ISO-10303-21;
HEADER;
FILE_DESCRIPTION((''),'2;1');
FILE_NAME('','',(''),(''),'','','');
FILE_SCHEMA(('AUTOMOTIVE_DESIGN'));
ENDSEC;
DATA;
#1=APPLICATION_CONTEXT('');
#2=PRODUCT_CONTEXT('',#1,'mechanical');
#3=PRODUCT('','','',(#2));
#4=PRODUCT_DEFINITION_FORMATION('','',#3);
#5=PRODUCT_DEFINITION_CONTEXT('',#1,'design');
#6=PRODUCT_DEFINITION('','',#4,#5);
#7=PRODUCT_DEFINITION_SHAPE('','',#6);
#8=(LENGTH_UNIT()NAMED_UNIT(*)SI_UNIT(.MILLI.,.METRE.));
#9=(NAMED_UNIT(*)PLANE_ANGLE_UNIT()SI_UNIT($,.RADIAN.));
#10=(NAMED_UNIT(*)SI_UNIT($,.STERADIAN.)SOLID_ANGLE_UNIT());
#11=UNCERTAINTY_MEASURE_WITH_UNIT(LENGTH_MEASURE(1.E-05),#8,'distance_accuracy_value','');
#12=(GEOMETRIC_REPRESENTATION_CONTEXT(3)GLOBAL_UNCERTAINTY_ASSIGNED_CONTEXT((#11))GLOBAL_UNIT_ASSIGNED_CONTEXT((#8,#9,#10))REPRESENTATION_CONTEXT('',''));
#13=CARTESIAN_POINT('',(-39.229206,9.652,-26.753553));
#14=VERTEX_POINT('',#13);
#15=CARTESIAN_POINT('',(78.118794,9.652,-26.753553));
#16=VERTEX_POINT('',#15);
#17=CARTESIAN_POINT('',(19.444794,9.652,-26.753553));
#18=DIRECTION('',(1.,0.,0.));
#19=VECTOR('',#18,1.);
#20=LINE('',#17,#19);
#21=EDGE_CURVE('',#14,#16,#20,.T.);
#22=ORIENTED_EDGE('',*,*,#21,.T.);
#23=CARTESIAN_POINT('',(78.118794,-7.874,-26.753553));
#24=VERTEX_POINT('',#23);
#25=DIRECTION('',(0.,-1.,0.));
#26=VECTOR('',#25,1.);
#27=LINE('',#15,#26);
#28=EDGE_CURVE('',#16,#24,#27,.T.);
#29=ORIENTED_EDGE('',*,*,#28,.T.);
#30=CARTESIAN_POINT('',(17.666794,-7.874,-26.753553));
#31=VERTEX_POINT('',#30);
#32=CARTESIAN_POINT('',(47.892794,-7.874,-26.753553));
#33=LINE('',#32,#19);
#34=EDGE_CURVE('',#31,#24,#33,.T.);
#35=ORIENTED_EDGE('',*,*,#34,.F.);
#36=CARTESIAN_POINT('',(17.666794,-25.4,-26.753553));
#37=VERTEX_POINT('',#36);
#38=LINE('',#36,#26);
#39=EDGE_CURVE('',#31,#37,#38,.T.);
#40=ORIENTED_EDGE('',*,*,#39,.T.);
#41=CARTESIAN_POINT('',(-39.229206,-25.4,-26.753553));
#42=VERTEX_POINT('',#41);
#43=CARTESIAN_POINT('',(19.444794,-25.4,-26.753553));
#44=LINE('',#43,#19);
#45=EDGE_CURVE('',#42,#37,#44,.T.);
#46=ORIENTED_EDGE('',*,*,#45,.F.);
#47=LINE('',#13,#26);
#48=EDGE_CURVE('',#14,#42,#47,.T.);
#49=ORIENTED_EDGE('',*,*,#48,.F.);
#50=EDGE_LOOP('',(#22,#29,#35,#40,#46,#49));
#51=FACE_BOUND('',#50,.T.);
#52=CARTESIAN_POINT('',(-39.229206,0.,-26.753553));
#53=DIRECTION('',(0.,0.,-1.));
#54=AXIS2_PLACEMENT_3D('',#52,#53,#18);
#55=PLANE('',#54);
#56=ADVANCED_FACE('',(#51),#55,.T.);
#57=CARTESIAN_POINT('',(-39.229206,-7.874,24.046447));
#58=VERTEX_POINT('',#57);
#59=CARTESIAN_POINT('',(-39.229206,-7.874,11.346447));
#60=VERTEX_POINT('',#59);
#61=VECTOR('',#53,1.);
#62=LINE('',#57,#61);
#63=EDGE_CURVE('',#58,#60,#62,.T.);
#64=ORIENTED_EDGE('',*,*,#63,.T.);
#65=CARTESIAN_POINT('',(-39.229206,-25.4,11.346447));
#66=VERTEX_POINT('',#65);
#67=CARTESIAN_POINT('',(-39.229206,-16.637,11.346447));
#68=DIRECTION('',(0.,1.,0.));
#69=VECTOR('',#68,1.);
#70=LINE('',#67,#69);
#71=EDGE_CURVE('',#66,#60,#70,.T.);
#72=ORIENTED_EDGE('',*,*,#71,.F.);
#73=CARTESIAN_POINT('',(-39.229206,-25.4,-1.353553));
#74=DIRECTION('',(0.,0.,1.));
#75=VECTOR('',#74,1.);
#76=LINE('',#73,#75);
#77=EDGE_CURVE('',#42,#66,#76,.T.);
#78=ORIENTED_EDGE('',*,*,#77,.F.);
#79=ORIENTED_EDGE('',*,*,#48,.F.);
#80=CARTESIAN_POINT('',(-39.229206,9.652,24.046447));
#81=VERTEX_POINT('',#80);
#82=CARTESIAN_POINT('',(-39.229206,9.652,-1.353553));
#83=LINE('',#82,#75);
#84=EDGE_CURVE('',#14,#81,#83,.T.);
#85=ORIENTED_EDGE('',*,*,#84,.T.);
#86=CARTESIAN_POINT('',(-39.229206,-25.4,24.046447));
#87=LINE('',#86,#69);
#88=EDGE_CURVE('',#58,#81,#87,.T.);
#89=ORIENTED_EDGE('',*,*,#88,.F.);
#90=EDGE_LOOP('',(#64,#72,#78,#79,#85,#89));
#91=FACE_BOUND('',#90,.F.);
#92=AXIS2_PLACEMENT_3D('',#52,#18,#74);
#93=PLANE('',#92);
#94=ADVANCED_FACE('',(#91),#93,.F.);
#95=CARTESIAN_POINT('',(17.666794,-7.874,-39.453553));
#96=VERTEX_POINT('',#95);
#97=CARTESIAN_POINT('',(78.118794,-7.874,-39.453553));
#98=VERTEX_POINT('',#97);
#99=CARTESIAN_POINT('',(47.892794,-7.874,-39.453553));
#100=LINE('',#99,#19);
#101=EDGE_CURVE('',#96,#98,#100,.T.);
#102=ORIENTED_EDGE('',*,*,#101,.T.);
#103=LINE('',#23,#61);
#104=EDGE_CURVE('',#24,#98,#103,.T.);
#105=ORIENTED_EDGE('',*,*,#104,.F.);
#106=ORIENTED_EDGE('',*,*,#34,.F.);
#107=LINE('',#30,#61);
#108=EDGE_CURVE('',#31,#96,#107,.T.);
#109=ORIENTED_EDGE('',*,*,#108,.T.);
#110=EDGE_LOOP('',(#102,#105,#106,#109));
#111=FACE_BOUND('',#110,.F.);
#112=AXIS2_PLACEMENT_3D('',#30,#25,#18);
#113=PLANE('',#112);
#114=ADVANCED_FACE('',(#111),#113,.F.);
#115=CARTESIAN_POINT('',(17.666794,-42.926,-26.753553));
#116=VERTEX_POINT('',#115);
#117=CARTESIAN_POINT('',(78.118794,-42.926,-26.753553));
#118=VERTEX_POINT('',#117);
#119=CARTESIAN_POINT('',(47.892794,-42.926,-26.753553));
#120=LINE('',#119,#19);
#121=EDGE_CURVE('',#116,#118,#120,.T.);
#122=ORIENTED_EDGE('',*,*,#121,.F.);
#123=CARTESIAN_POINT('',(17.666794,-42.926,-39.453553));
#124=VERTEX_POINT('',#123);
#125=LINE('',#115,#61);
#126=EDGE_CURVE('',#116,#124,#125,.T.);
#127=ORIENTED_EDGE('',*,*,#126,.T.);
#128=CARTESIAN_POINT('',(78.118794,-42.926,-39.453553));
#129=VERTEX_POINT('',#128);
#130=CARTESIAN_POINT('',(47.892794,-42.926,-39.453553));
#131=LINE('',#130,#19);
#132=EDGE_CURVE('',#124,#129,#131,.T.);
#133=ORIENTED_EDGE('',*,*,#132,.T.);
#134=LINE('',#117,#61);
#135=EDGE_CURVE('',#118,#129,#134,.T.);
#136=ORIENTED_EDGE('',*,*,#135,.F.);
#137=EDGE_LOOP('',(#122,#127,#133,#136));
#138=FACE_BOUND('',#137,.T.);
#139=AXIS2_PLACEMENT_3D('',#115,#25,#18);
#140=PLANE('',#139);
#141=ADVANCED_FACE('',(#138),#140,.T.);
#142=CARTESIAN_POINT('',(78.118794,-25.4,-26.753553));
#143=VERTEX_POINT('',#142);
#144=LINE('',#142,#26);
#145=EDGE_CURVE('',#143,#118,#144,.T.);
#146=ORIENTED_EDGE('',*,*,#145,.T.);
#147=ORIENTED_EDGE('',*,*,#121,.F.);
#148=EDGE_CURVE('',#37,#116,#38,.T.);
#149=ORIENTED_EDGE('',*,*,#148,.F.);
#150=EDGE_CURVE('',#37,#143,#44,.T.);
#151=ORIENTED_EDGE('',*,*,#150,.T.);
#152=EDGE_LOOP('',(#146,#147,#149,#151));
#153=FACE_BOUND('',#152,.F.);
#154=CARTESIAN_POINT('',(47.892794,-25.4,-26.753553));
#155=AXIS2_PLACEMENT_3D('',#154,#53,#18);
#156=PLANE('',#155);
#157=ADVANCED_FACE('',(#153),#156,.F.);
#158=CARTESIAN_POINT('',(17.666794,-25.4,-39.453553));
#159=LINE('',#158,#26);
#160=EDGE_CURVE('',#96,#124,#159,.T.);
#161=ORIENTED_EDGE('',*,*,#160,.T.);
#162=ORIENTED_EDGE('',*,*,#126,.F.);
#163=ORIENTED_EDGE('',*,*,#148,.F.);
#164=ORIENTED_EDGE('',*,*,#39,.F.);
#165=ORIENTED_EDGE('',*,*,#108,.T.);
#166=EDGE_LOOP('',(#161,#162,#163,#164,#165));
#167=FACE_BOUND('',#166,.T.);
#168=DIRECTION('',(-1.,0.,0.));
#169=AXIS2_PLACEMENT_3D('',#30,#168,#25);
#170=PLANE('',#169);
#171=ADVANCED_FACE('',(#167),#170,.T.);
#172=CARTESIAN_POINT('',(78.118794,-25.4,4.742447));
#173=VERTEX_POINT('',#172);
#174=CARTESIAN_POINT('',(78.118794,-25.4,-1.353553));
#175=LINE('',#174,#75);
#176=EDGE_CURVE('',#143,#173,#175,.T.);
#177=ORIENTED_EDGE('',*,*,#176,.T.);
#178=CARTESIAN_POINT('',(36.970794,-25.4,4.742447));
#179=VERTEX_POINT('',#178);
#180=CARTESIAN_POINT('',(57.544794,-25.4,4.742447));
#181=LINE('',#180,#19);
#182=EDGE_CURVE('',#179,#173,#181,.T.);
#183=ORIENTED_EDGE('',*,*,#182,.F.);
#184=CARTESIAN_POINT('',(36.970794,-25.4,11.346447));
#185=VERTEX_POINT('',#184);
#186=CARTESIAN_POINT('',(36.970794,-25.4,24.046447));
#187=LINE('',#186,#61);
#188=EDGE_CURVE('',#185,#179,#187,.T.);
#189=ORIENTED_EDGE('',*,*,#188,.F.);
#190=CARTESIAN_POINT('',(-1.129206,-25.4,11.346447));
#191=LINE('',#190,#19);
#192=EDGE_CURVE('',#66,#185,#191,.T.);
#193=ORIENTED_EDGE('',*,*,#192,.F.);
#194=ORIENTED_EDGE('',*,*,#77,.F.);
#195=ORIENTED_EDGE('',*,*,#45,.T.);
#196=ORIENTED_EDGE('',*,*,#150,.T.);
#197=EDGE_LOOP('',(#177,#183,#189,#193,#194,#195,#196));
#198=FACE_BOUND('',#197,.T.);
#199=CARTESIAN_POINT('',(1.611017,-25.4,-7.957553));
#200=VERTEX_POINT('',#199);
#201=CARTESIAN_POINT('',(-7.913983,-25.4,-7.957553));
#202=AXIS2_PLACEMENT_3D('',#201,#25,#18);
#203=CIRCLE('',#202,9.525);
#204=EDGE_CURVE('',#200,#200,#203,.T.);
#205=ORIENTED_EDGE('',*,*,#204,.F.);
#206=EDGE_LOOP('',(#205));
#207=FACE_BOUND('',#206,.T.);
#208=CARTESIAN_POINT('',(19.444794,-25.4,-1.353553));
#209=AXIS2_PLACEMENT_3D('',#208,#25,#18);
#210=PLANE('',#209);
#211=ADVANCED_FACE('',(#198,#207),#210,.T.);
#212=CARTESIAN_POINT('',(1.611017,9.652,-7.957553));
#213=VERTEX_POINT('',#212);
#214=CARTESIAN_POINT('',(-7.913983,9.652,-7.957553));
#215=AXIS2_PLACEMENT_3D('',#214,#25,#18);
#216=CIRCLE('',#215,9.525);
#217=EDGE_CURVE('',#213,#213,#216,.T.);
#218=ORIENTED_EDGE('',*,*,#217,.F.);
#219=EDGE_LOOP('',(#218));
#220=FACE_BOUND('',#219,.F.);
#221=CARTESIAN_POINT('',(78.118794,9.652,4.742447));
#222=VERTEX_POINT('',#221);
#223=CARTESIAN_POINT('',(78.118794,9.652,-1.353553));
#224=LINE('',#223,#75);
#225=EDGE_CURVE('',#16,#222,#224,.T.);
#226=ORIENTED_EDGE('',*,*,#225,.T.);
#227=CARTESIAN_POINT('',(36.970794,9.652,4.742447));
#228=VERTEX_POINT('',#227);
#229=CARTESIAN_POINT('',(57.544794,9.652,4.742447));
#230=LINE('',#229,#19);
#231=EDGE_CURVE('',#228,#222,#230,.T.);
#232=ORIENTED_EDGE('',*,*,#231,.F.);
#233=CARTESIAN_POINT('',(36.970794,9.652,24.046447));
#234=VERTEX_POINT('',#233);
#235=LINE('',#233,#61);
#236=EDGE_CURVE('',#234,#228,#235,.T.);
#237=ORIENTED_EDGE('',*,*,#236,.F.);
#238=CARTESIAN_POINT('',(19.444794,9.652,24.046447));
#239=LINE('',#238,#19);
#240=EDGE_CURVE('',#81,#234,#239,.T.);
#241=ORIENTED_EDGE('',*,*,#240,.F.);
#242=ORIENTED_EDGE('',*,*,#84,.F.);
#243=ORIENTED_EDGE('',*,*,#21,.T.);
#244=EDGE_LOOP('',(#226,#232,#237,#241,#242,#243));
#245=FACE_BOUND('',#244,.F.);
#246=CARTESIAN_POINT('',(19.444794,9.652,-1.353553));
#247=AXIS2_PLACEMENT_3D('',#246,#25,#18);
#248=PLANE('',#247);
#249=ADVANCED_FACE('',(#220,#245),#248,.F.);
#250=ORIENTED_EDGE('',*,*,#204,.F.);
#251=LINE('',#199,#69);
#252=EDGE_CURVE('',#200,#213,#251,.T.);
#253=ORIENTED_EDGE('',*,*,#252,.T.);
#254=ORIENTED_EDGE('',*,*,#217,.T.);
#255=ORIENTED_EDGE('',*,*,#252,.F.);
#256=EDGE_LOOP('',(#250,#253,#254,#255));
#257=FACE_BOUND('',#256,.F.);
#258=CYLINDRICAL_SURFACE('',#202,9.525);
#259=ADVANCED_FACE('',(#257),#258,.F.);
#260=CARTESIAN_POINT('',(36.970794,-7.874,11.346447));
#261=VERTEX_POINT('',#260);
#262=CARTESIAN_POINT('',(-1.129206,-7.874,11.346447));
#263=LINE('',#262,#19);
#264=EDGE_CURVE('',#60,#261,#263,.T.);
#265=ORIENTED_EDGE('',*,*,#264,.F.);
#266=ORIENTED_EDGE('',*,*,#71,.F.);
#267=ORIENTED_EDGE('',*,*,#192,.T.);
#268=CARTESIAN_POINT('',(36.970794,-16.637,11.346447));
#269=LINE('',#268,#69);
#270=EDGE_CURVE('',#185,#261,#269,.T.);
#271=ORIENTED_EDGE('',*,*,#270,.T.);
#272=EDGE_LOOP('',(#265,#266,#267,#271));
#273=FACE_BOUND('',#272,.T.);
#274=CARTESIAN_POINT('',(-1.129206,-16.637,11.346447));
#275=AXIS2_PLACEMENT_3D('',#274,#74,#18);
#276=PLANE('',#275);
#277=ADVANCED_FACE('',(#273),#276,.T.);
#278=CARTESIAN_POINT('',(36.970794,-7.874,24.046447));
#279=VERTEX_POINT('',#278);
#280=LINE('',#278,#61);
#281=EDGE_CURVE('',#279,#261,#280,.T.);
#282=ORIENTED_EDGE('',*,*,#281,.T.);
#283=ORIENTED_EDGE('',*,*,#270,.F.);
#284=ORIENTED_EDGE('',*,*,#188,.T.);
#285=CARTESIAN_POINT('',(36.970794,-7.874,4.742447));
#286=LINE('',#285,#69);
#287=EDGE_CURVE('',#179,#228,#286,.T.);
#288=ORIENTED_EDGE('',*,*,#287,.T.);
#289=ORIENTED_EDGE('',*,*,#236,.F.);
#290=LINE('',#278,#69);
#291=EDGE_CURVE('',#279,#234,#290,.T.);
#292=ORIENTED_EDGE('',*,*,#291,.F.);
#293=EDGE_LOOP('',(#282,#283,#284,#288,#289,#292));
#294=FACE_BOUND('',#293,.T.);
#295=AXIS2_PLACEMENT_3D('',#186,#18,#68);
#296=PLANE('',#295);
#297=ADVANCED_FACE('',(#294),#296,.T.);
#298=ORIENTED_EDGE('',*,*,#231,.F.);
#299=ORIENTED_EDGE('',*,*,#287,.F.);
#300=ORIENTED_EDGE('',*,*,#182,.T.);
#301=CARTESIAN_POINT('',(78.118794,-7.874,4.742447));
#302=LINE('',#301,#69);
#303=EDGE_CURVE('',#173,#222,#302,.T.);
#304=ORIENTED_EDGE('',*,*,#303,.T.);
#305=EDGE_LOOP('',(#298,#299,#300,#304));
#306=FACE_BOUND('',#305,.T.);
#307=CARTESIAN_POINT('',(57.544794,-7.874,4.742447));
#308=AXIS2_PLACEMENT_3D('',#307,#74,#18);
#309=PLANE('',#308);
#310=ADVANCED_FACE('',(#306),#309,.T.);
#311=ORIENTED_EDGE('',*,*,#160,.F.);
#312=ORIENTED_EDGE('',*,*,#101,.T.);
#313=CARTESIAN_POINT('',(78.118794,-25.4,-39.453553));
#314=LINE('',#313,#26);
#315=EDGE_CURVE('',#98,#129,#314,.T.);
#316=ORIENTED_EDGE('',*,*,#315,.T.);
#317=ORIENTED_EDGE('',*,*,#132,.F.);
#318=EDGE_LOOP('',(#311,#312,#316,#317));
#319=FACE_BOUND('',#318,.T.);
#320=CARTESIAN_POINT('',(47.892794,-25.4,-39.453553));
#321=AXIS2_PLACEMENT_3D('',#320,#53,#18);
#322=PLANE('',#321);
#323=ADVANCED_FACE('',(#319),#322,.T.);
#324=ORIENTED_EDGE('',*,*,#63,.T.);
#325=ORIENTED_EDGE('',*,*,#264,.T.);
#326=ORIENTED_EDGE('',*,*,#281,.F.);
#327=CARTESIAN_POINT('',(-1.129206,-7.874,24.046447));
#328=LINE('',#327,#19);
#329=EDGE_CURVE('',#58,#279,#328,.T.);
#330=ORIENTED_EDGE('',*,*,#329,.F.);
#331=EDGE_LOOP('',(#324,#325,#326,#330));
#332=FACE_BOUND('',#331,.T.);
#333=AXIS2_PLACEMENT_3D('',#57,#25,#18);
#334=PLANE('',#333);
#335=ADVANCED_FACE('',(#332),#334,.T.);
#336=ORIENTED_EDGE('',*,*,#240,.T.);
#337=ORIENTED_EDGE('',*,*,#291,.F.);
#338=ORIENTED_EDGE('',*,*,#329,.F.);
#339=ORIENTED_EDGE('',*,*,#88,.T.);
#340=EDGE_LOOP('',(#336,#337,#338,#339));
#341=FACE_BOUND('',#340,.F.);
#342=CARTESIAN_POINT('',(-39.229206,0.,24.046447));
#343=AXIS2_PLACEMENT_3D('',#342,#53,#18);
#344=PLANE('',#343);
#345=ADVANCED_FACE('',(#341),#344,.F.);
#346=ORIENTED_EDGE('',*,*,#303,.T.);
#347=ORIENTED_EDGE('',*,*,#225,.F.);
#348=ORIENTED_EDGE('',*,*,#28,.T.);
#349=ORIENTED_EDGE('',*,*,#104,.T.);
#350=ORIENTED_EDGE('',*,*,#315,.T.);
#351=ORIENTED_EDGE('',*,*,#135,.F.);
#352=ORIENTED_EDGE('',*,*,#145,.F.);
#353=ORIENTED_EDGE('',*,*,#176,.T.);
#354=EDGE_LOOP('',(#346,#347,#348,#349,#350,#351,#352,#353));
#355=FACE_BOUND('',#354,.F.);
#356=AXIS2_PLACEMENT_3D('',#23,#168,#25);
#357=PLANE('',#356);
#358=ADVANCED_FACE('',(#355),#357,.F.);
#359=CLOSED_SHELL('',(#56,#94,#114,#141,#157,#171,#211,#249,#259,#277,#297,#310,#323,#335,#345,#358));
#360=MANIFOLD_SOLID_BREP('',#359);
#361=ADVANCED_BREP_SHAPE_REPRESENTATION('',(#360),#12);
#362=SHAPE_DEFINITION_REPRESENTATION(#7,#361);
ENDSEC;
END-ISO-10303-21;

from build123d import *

# Parameters (mm, degrees)
F0_W      = 117.348
F0_H      = 50.8
F1_DEPTH  = 25.4
F3_DEPTH  = 9.652
F2_R      = 9.525
F4_DEPTH  = 35.053
F5_W      = 60.452
F5_H      = 35.052
F6_DEPTH  = 12.7
F7_W      = 76.2
F7_H      = 17.526
F8_DEPTH  = 12.7
F9_W      = 41.148
F9_H      = 35.052
F10_DEPTH = 19.304


with BuildPart() as f1:
    # F0 (on Front) → F1 (new body)
    with BuildSketch(Plane.XZ):
        with Locations((19.444794, -1.353553)):
            Rectangle(F0_W, F0_H)
    extrude(amount=F1_DEPTH)

    # F0 (on Front) → F3 (join)
    with BuildSketch(Plane.XZ):
        with Locations((19.444794, -1.353553)):
            Rectangle(F0_W, F0_H)
    extrude(amount=-F3_DEPTH)

    # F2 (on face) → F4 (cut, through all)
    with BuildSketch(Plane.XZ.offset(25.4)):
        with Locations((-7.913983, -7.957553)):
            Circle(F2_R)
    extrude(amount=-F4_DEPTH, mode=Mode.SUBTRACT)

    # F5 (on face) → F6 (join)
    with BuildSketch(Plane(origin=(0, 0, -26.753553), x_dir=(1, 0, 0), z_dir=(0, 0, -1))):
        with Locations((47.892794, 25.4)):
            Rectangle(F5_W, F5_H)
    extrude(amount=F6_DEPTH)

    # F7 (on face) → F8 (cut)
    with BuildSketch(Plane.XY.offset(24.046447)):
        with Locations((-1.129206, -16.637)):
            Rectangle(F7_W, F7_H)
    extrude(amount=-F8_DEPTH, mode=Mode.SUBTRACT)

    # F9 (on face) → F10 (cut)
    with BuildSketch(Plane.XY.offset(24.046447)):
        with Locations((57.544794, -7.874)):
            Rectangle(F9_W, F9_H)
    extrude(amount=-F10_DEPTH, mode=Mode.SUBTRACT)


solid = f1.part
